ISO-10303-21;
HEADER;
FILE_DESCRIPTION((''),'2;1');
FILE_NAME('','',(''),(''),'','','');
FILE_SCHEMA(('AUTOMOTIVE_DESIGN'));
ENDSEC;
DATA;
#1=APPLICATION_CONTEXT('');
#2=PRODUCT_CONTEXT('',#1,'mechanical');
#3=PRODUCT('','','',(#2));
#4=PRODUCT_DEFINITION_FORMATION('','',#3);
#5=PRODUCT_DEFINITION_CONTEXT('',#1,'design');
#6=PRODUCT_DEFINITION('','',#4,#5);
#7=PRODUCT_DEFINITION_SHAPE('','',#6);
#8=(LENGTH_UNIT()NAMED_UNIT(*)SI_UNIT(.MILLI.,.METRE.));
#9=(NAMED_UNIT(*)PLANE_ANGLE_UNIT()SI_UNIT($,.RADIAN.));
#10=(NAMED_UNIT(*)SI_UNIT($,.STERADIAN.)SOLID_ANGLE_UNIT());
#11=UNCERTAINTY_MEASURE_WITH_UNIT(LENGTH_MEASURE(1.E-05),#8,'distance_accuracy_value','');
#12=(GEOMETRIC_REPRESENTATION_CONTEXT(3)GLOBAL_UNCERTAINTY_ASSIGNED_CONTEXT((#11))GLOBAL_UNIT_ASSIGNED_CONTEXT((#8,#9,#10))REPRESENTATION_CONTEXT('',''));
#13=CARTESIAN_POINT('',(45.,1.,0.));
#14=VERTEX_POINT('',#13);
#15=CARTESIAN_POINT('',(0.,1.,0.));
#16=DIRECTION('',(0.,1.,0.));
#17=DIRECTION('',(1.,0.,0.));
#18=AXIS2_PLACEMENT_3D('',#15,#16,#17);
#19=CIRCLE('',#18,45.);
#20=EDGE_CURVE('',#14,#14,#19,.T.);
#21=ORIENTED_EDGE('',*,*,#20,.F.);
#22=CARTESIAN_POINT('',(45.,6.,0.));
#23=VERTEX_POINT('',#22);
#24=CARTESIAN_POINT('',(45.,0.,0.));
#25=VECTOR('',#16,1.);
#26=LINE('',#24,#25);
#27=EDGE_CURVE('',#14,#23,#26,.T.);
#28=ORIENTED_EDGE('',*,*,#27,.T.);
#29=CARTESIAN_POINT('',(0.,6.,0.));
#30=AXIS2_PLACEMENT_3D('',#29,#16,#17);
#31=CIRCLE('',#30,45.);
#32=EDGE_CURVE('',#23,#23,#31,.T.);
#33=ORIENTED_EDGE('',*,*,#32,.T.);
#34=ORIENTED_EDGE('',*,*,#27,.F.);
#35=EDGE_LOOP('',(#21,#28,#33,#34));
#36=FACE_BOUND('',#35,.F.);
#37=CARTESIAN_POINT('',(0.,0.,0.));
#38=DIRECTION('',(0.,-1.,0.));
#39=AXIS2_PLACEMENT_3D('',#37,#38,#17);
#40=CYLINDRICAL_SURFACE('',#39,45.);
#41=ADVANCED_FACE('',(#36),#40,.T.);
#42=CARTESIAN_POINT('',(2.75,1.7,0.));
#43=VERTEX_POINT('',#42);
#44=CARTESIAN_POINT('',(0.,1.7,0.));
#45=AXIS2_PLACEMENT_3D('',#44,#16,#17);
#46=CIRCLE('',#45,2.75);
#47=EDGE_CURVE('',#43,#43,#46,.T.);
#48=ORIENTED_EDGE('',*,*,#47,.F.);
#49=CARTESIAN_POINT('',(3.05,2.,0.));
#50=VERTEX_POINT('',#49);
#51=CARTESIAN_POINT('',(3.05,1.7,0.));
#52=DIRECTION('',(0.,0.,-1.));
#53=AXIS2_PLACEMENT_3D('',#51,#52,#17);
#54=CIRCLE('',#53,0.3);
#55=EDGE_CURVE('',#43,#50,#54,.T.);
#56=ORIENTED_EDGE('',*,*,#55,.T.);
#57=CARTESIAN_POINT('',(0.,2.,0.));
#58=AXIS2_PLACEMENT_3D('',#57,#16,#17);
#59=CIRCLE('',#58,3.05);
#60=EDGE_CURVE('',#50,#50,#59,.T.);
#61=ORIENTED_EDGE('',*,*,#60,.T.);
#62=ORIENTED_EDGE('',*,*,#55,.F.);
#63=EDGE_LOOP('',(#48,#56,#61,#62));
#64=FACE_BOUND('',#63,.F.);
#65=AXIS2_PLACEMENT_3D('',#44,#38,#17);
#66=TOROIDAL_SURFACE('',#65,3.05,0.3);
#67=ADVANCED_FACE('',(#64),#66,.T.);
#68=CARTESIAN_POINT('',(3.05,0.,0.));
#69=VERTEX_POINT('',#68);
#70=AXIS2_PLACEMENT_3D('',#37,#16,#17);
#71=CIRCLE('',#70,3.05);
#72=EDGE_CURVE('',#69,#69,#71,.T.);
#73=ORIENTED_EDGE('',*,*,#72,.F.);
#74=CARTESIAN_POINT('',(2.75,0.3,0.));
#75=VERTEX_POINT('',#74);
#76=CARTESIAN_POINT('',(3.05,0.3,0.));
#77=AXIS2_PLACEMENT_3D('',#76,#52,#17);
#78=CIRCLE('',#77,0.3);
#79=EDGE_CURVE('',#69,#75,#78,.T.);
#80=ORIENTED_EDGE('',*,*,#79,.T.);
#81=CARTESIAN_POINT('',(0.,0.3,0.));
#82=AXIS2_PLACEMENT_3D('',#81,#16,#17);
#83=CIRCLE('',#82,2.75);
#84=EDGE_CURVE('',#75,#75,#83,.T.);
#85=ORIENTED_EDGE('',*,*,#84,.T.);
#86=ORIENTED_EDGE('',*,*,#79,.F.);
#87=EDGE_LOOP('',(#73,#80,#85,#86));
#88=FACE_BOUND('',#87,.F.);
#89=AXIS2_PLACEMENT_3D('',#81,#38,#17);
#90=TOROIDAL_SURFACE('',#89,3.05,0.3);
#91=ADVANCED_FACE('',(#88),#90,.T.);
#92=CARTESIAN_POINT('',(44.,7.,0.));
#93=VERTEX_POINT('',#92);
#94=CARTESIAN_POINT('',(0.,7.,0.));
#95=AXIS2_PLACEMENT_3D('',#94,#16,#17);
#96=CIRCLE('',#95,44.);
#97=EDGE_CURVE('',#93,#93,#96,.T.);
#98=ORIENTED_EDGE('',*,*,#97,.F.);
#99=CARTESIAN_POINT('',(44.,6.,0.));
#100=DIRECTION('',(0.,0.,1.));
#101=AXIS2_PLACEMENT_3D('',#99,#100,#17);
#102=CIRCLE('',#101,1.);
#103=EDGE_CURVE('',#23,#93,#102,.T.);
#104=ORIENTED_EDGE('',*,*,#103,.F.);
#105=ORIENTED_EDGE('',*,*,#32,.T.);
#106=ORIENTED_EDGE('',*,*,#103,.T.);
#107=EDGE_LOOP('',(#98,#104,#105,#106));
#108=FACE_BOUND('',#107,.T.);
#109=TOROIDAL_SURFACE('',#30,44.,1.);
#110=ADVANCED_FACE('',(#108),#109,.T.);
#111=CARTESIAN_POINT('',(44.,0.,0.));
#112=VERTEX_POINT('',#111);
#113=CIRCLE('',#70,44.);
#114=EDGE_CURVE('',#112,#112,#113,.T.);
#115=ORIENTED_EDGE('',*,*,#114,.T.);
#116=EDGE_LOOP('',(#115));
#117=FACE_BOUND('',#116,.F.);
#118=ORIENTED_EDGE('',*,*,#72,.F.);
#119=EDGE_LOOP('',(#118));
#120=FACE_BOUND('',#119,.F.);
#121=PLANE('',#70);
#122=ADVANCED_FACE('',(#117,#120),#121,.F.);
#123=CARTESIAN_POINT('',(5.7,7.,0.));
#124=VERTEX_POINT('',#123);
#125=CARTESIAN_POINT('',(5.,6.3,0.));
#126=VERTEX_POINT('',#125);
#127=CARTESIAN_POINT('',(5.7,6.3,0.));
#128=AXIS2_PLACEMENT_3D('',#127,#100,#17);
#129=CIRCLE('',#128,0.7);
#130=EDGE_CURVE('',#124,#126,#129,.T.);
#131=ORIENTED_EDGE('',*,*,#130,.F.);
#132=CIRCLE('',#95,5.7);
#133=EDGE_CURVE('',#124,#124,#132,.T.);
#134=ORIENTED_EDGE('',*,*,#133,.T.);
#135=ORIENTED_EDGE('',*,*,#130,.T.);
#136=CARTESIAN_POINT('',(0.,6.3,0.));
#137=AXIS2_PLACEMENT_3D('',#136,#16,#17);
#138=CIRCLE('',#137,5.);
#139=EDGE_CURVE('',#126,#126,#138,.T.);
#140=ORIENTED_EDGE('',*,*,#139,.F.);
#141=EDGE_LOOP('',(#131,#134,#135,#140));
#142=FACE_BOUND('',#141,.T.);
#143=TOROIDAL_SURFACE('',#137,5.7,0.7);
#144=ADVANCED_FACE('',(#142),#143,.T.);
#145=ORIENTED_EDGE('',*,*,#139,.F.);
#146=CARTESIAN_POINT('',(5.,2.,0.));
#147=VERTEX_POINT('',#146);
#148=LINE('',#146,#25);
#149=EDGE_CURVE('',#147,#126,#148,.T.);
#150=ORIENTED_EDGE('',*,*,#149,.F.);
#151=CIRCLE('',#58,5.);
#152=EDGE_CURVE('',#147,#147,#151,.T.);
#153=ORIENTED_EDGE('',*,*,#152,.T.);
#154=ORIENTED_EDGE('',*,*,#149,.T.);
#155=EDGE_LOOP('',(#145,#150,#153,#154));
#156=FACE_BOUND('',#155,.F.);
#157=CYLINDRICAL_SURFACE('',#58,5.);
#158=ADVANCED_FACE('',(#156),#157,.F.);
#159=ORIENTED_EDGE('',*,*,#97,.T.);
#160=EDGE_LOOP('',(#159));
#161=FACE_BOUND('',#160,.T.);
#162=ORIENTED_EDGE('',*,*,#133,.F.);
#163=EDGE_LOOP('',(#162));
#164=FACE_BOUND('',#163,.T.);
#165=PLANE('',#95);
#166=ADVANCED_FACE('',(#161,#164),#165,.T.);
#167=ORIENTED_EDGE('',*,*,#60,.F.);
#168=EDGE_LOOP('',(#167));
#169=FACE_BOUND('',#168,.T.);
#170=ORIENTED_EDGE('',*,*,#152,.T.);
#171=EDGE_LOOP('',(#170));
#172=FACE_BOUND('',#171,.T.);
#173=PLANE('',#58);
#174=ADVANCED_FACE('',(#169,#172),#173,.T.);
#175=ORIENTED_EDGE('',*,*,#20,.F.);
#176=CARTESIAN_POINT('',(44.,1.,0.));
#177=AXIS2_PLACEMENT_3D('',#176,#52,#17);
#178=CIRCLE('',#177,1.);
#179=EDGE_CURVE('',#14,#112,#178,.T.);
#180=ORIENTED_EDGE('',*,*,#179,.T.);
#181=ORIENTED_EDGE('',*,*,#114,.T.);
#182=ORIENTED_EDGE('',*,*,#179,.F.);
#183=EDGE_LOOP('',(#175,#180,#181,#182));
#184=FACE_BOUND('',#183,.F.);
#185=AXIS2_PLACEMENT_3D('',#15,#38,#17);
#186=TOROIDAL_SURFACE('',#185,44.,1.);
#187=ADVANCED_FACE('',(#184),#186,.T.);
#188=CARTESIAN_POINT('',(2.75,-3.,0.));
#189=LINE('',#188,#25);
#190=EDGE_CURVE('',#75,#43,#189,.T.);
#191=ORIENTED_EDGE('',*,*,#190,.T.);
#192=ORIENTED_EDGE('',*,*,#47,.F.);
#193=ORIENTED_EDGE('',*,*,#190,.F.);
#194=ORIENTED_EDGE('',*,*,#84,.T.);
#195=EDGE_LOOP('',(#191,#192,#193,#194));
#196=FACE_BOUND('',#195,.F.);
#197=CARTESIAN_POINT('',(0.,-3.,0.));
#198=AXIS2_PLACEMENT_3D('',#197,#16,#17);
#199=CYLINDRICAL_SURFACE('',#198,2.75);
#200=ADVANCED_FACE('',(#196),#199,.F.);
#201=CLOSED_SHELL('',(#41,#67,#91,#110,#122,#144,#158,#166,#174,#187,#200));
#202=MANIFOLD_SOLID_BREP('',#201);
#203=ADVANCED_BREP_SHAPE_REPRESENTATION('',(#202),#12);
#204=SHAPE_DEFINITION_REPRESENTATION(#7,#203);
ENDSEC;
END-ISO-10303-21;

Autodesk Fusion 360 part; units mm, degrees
sketch "Skizze1" plane through (0, 0, 0) normal (0, 1, 0) x (1, 0, 0)
  circle A0 centre (0, 0) radius 45
  dimension "d1" = 90
extrude "Extrusion1" add sketch "Skizze1" along normal blind 7
cylinder "Grundkörper Zylinder1" cut diameter 5.5 height -10 placed x (1, 0, 0) y (0, 0, -1) z (0, 1, 0) at (0, 7, 0)
cylinder "Grundkörper Zylinder2" cut diameter 10 height -5 placed x (1, 0, 0) y (0, 0, -1) z (0, 1, 0) at (0, 7, 0)
fillet "Abrundung1" radius 1 2 edges at (-41.9547, 0, 16.2727) (-41.9547, 7, 16.2727)
fillet "Abrundung2" radius 0.3 2 edges at (0.9944, 0, 2.5639) (0.9944, 2, 2.5639)
fillet "Abrundung3" radius 0.7 1 edges at (-1.8081, 7, 4.6616)
